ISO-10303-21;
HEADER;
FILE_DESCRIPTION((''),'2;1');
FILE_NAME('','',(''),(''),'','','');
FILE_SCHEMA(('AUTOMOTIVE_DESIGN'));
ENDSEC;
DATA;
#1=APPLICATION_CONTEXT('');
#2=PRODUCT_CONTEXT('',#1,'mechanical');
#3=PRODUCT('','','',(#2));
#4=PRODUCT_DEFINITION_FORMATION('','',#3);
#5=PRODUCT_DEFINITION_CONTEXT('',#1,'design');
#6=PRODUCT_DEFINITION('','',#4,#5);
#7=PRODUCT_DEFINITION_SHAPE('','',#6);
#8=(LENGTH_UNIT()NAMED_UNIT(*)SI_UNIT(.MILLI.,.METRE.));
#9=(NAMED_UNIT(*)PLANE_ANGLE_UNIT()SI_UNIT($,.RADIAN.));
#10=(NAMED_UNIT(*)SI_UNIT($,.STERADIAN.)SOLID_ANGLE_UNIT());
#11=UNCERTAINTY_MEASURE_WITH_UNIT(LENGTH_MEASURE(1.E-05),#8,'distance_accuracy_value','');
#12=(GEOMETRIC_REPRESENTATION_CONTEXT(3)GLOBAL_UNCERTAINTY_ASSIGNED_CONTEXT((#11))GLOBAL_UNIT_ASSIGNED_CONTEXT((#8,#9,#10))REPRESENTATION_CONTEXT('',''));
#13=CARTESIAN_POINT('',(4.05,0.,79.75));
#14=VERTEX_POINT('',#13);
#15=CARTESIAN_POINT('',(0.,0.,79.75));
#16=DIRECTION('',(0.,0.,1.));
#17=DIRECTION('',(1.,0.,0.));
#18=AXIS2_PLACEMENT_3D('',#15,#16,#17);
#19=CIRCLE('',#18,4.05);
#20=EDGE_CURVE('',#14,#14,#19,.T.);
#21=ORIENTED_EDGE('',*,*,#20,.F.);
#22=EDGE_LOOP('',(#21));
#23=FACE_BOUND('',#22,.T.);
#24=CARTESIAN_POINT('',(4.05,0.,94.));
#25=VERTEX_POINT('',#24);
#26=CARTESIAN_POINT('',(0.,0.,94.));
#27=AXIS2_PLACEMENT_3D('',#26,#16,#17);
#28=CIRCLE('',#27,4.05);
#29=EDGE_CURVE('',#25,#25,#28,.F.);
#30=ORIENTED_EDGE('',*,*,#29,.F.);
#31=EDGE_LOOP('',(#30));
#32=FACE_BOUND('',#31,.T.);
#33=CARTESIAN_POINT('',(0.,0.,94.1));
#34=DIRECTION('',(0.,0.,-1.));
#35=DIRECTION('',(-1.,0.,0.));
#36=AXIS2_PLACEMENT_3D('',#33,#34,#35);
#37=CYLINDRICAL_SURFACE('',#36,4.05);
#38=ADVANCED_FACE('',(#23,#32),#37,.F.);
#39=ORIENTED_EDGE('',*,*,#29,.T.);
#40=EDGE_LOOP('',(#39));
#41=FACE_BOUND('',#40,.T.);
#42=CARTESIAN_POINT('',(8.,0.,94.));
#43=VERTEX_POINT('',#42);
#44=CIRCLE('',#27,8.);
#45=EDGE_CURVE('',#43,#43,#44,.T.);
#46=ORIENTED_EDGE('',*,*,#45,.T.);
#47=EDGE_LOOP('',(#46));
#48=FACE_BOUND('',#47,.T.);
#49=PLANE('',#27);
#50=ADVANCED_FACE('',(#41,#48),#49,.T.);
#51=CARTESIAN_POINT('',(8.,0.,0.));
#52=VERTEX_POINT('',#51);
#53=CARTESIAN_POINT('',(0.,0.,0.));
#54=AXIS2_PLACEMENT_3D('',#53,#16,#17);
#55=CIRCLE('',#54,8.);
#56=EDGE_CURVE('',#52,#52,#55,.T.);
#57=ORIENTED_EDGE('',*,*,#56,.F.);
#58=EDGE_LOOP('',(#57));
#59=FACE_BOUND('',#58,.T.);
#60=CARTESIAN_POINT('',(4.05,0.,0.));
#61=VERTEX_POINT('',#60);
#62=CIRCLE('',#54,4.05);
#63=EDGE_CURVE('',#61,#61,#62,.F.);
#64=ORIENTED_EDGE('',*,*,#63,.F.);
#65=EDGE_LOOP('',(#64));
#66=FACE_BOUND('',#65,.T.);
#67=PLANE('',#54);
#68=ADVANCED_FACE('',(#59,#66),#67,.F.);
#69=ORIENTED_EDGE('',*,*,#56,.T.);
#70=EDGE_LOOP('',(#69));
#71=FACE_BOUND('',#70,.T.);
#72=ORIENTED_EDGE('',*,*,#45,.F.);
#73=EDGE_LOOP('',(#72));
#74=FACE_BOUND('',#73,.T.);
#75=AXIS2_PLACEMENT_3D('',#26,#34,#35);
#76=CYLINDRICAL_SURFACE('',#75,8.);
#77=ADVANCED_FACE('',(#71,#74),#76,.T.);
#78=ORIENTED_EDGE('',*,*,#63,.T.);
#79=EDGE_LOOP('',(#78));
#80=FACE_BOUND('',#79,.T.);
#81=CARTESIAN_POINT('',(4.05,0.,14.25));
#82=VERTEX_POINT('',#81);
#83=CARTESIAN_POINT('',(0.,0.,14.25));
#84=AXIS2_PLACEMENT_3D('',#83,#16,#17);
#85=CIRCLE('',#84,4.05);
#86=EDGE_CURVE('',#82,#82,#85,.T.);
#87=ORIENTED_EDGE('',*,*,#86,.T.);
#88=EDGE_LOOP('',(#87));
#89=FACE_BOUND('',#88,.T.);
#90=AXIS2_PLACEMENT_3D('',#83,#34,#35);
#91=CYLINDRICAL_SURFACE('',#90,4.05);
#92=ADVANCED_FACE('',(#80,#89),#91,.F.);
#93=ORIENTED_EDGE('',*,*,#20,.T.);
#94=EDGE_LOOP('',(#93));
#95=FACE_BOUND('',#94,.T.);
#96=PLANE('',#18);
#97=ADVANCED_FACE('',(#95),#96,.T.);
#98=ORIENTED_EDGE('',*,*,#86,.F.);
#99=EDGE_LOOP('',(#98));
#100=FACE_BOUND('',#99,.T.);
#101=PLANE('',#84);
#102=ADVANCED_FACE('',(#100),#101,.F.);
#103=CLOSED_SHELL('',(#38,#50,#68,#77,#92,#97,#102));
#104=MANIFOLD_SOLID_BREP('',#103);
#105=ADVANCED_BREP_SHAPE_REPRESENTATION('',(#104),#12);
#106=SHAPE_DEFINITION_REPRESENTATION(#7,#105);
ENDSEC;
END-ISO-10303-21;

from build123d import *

# Parameters (mm, degrees)
S01_SOLID_POST_BLANK_16_MM_R             = 8
F_01_SOLID_POST_BLANK_16_MM_DEPTH        = 94
F_02_START                               = -0.1
S02_REAR_M6_HEAT_SET_INSERT_SEAT_R       = 4.05
F_02_REAR_M6_HEAT_SET_INSERT_SEAT_DEPTH  = 14.35
F_03_START                               = 79.75
S03_FRONT_M6_HEAT_SET_INSERT_SEAT_R      = 4.05
F_03_FRONT_M6_HEAT_SET_INSERT_SEAT_DEPTH = 14.35


with BuildPart() as part:
    # S01 - Solid post blank - 16 mm → 01 - Solid post blank - 16 mm (new body)
    with BuildSketch(Plane.XY):
        Circle(S01_SOLID_POST_BLANK_16_MM_R)
    extrude(amount=F_01_SOLID_POST_BLANK_16_MM_DEPTH)

    # S02 - Rear M6 heat-set insert seat → 02 - Rear M6 heat-set insert seat (cut)
    with BuildSketch(Plane.XY.offset(F_02_START)):
        Circle(S02_REAR_M6_HEAT_SET_INSERT_SEAT_R)
    extrude(amount=F_02_REAR_M6_HEAT_SET_INSERT_SEAT_DEPTH, mode=Mode.SUBTRACT)

    # S03 - Front M6 heat-set insert seat → 03 - Front M6 heat-set insert seat (cut)
    with BuildSketch(Plane.XY.offset(F_03_START)):
        Circle(S03_FRONT_M6_HEAT_SET_INSERT_SEAT_R)
    extrude(amount=F_03_FRONT_M6_HEAT_SET_INSERT_SEAT_DEPTH, mode=Mode.SUBTRACT)


solid = part.part
